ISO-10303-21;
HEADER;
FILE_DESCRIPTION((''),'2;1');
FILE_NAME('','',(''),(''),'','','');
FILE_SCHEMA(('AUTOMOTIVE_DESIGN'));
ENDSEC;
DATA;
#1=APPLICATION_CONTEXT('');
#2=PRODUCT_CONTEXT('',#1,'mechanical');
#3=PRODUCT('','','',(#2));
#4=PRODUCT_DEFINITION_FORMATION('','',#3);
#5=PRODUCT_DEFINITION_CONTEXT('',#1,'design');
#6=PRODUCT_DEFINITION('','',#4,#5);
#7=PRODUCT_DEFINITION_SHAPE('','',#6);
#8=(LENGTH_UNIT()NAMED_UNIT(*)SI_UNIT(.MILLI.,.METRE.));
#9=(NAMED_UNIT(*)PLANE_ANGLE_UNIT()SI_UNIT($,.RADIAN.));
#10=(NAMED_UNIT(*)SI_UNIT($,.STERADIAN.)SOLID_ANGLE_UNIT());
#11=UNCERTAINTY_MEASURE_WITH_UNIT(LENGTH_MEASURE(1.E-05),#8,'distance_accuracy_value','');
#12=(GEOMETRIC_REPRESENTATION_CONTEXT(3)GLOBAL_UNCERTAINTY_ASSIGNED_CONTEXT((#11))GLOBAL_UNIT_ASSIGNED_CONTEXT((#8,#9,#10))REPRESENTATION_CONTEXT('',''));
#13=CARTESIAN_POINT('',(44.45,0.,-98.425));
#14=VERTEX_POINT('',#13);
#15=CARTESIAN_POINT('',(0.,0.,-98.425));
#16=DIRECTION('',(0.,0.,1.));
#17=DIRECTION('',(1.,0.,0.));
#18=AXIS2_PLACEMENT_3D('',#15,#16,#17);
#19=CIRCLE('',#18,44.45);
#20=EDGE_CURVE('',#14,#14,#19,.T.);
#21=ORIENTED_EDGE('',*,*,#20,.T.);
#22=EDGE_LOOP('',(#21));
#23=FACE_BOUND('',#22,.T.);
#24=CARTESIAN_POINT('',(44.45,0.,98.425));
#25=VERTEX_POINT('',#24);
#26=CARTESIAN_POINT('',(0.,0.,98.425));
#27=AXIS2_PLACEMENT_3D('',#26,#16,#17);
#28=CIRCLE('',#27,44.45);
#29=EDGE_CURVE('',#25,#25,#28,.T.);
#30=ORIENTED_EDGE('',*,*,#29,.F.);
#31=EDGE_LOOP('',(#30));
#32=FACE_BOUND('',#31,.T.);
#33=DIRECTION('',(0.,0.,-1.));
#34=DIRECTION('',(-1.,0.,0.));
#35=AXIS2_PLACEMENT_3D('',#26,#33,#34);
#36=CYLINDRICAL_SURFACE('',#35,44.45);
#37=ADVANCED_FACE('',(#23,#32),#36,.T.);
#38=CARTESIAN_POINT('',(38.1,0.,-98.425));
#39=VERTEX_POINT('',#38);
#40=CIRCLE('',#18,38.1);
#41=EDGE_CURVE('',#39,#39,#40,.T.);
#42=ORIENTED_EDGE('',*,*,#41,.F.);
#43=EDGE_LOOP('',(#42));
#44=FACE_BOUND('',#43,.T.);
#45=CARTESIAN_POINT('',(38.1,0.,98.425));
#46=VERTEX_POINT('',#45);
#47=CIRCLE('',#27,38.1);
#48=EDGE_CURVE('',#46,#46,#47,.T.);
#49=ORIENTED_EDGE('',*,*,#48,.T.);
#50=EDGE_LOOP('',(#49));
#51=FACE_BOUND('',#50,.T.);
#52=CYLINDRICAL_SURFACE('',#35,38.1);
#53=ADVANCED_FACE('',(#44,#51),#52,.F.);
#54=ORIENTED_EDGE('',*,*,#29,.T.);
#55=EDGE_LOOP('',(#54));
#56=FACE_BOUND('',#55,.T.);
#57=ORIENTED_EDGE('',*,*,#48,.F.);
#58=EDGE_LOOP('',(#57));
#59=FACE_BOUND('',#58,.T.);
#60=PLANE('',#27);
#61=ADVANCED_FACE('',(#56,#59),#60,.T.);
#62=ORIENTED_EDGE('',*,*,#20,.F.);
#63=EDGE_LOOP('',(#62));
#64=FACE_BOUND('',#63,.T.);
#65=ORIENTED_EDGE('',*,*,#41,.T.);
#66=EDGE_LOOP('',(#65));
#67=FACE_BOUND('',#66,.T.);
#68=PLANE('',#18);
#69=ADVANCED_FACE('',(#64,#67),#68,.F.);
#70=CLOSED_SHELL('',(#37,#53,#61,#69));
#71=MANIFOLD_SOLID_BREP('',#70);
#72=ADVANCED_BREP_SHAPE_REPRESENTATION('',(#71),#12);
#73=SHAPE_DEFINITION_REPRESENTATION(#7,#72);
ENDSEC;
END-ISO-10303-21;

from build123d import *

# Parameters (mm, degrees)
SKETCH1_R           = 44.45
SKETCH1_R_2         = 38.1
BOSS_EXTRUDE1_DEPTH = 98.425


with BuildPart() as part:
    # Sketch1 → Boss-Extrude1 (new body, symmetric)
    with BuildSketch(Plane.XY):
        Circle(SKETCH1_R)
        Circle(SKETCH1_R_2, mode=Mode.SUBTRACT)
    extrude(amount=BOSS_EXTRUDE1_DEPTH, both=True)


solid = part.part
